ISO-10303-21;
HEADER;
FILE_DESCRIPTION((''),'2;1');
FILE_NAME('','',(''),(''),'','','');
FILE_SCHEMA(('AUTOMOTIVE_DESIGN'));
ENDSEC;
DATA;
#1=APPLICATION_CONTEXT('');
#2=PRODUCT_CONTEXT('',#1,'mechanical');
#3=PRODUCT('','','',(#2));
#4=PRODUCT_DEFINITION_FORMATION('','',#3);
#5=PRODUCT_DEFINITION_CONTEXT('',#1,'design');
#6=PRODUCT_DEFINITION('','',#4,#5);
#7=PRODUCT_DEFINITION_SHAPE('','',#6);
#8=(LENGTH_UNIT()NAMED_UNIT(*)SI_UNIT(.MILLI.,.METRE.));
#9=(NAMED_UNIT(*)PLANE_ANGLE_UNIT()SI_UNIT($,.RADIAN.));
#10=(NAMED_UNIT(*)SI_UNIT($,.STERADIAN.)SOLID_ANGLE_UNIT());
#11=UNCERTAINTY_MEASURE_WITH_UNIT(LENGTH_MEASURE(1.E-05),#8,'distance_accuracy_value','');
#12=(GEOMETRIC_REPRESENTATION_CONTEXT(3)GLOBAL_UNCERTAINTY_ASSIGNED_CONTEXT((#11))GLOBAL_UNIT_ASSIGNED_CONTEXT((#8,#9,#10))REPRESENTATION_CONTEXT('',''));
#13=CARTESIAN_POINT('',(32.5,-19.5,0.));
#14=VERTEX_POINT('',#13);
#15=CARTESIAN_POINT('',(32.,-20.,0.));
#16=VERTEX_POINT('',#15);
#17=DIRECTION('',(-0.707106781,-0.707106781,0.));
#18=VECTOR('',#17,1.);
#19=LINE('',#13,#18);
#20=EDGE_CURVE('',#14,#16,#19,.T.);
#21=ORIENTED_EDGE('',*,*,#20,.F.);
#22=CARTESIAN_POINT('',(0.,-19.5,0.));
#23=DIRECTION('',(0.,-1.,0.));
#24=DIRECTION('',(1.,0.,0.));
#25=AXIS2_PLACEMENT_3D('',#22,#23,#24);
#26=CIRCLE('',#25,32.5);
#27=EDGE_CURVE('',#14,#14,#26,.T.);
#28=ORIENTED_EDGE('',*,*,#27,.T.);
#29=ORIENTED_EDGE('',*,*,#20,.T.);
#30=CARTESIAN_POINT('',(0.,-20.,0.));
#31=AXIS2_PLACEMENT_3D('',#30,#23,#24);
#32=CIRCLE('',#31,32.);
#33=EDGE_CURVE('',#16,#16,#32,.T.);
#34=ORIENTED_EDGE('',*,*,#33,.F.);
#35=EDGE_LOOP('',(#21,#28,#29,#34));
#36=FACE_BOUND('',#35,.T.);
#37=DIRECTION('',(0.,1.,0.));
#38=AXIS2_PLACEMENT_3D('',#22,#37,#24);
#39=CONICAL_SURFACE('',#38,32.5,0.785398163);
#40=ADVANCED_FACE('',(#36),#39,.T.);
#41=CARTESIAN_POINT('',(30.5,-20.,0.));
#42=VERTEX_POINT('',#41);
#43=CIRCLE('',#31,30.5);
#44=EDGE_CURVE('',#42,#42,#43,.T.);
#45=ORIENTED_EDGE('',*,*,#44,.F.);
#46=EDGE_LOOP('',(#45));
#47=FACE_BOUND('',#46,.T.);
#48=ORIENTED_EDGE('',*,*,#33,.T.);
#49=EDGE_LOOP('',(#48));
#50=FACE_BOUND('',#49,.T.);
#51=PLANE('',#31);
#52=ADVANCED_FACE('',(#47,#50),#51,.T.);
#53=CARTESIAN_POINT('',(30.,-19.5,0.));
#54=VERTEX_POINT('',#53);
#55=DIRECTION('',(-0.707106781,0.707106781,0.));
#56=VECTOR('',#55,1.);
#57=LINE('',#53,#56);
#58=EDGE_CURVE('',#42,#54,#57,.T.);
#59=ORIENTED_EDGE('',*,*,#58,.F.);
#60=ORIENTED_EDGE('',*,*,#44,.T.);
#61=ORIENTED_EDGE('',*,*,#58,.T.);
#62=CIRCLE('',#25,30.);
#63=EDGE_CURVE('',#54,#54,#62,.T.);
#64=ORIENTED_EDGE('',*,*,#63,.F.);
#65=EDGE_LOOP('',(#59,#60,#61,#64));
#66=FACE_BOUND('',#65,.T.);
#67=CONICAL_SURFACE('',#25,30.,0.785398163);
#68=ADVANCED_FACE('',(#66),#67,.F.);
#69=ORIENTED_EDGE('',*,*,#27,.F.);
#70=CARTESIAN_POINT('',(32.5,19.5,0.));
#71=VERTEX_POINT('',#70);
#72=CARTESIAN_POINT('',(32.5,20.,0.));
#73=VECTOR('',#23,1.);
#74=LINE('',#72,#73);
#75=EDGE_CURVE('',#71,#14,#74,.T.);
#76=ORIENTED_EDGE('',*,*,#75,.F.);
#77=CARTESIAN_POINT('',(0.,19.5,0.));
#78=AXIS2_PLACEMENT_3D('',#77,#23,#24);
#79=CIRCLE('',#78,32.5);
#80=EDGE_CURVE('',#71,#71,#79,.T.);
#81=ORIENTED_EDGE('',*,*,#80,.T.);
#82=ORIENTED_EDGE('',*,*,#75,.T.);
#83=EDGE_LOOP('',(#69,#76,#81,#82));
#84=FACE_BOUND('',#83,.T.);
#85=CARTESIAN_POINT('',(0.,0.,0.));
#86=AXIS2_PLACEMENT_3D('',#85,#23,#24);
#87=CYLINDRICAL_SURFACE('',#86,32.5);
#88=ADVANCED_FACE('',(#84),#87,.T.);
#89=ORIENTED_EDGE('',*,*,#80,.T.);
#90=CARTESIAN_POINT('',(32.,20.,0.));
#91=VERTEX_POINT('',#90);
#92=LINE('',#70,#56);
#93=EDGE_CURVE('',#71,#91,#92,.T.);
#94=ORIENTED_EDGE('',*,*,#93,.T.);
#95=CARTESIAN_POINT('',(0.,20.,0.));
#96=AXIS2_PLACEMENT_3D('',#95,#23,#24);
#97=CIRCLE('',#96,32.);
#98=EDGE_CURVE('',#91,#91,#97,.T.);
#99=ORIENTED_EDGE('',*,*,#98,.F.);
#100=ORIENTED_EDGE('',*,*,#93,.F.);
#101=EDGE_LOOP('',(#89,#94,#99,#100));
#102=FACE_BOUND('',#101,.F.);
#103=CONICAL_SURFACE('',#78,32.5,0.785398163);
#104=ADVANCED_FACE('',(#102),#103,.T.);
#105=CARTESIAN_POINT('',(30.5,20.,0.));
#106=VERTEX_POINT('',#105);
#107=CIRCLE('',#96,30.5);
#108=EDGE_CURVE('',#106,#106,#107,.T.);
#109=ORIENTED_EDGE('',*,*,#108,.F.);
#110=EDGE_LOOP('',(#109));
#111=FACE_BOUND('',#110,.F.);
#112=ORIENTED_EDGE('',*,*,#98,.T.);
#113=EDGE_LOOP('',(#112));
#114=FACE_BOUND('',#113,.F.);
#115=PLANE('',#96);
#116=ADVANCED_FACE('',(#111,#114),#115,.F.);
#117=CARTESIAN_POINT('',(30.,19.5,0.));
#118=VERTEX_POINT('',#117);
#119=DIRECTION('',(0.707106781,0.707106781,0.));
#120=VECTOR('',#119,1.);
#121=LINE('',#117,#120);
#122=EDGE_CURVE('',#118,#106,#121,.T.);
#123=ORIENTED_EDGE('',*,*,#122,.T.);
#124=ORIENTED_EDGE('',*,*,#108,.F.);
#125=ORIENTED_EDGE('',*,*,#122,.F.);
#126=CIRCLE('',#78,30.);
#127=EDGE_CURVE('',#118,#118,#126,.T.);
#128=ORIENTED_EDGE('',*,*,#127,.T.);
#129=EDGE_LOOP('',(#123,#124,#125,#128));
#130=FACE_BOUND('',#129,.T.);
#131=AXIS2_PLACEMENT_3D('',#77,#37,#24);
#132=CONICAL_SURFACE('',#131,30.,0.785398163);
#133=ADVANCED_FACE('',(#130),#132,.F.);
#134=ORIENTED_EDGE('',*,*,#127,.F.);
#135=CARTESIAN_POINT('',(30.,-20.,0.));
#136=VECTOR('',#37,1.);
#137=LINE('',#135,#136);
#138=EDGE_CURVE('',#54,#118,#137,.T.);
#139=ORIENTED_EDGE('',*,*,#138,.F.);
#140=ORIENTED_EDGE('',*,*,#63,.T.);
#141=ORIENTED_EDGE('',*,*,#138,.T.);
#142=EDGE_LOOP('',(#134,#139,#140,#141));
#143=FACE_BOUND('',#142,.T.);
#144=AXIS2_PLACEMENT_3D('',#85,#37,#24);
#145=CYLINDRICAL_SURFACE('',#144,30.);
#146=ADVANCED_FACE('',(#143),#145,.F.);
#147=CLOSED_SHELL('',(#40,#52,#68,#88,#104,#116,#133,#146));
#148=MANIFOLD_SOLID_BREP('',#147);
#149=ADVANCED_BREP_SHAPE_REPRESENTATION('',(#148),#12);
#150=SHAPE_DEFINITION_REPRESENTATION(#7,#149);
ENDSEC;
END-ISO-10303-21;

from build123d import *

# Parameters (mm, degrees)
F0_R     = 32.5
F0_R_2   = 30
F1_DEPTH = 20
F2_SIZE  = 0.5


with BuildPart() as f1:
    # F0 (on Front) → F1 (new body, symmetric)
    with BuildSketch(Plane.XZ):
        Circle(F0_R)
        Circle(F0_R_2, mode=Mode.SUBTRACT)
    extrude(amount=F1_DEPTH, both=True)

    # F2
    f2_edges = [f1.edges().sort_by_distance(p)[0] for p in [
        (-30, -20, 0),
        (30, 0, 0),
        (-30, 20, 0),
        (-32.5, 20, 0),
        (32.5, 0, 0),
        (-32.5, -20, 0),
    ]]
    chamfer(f2_edges, length=F2_SIZE)


solid = f1.part
